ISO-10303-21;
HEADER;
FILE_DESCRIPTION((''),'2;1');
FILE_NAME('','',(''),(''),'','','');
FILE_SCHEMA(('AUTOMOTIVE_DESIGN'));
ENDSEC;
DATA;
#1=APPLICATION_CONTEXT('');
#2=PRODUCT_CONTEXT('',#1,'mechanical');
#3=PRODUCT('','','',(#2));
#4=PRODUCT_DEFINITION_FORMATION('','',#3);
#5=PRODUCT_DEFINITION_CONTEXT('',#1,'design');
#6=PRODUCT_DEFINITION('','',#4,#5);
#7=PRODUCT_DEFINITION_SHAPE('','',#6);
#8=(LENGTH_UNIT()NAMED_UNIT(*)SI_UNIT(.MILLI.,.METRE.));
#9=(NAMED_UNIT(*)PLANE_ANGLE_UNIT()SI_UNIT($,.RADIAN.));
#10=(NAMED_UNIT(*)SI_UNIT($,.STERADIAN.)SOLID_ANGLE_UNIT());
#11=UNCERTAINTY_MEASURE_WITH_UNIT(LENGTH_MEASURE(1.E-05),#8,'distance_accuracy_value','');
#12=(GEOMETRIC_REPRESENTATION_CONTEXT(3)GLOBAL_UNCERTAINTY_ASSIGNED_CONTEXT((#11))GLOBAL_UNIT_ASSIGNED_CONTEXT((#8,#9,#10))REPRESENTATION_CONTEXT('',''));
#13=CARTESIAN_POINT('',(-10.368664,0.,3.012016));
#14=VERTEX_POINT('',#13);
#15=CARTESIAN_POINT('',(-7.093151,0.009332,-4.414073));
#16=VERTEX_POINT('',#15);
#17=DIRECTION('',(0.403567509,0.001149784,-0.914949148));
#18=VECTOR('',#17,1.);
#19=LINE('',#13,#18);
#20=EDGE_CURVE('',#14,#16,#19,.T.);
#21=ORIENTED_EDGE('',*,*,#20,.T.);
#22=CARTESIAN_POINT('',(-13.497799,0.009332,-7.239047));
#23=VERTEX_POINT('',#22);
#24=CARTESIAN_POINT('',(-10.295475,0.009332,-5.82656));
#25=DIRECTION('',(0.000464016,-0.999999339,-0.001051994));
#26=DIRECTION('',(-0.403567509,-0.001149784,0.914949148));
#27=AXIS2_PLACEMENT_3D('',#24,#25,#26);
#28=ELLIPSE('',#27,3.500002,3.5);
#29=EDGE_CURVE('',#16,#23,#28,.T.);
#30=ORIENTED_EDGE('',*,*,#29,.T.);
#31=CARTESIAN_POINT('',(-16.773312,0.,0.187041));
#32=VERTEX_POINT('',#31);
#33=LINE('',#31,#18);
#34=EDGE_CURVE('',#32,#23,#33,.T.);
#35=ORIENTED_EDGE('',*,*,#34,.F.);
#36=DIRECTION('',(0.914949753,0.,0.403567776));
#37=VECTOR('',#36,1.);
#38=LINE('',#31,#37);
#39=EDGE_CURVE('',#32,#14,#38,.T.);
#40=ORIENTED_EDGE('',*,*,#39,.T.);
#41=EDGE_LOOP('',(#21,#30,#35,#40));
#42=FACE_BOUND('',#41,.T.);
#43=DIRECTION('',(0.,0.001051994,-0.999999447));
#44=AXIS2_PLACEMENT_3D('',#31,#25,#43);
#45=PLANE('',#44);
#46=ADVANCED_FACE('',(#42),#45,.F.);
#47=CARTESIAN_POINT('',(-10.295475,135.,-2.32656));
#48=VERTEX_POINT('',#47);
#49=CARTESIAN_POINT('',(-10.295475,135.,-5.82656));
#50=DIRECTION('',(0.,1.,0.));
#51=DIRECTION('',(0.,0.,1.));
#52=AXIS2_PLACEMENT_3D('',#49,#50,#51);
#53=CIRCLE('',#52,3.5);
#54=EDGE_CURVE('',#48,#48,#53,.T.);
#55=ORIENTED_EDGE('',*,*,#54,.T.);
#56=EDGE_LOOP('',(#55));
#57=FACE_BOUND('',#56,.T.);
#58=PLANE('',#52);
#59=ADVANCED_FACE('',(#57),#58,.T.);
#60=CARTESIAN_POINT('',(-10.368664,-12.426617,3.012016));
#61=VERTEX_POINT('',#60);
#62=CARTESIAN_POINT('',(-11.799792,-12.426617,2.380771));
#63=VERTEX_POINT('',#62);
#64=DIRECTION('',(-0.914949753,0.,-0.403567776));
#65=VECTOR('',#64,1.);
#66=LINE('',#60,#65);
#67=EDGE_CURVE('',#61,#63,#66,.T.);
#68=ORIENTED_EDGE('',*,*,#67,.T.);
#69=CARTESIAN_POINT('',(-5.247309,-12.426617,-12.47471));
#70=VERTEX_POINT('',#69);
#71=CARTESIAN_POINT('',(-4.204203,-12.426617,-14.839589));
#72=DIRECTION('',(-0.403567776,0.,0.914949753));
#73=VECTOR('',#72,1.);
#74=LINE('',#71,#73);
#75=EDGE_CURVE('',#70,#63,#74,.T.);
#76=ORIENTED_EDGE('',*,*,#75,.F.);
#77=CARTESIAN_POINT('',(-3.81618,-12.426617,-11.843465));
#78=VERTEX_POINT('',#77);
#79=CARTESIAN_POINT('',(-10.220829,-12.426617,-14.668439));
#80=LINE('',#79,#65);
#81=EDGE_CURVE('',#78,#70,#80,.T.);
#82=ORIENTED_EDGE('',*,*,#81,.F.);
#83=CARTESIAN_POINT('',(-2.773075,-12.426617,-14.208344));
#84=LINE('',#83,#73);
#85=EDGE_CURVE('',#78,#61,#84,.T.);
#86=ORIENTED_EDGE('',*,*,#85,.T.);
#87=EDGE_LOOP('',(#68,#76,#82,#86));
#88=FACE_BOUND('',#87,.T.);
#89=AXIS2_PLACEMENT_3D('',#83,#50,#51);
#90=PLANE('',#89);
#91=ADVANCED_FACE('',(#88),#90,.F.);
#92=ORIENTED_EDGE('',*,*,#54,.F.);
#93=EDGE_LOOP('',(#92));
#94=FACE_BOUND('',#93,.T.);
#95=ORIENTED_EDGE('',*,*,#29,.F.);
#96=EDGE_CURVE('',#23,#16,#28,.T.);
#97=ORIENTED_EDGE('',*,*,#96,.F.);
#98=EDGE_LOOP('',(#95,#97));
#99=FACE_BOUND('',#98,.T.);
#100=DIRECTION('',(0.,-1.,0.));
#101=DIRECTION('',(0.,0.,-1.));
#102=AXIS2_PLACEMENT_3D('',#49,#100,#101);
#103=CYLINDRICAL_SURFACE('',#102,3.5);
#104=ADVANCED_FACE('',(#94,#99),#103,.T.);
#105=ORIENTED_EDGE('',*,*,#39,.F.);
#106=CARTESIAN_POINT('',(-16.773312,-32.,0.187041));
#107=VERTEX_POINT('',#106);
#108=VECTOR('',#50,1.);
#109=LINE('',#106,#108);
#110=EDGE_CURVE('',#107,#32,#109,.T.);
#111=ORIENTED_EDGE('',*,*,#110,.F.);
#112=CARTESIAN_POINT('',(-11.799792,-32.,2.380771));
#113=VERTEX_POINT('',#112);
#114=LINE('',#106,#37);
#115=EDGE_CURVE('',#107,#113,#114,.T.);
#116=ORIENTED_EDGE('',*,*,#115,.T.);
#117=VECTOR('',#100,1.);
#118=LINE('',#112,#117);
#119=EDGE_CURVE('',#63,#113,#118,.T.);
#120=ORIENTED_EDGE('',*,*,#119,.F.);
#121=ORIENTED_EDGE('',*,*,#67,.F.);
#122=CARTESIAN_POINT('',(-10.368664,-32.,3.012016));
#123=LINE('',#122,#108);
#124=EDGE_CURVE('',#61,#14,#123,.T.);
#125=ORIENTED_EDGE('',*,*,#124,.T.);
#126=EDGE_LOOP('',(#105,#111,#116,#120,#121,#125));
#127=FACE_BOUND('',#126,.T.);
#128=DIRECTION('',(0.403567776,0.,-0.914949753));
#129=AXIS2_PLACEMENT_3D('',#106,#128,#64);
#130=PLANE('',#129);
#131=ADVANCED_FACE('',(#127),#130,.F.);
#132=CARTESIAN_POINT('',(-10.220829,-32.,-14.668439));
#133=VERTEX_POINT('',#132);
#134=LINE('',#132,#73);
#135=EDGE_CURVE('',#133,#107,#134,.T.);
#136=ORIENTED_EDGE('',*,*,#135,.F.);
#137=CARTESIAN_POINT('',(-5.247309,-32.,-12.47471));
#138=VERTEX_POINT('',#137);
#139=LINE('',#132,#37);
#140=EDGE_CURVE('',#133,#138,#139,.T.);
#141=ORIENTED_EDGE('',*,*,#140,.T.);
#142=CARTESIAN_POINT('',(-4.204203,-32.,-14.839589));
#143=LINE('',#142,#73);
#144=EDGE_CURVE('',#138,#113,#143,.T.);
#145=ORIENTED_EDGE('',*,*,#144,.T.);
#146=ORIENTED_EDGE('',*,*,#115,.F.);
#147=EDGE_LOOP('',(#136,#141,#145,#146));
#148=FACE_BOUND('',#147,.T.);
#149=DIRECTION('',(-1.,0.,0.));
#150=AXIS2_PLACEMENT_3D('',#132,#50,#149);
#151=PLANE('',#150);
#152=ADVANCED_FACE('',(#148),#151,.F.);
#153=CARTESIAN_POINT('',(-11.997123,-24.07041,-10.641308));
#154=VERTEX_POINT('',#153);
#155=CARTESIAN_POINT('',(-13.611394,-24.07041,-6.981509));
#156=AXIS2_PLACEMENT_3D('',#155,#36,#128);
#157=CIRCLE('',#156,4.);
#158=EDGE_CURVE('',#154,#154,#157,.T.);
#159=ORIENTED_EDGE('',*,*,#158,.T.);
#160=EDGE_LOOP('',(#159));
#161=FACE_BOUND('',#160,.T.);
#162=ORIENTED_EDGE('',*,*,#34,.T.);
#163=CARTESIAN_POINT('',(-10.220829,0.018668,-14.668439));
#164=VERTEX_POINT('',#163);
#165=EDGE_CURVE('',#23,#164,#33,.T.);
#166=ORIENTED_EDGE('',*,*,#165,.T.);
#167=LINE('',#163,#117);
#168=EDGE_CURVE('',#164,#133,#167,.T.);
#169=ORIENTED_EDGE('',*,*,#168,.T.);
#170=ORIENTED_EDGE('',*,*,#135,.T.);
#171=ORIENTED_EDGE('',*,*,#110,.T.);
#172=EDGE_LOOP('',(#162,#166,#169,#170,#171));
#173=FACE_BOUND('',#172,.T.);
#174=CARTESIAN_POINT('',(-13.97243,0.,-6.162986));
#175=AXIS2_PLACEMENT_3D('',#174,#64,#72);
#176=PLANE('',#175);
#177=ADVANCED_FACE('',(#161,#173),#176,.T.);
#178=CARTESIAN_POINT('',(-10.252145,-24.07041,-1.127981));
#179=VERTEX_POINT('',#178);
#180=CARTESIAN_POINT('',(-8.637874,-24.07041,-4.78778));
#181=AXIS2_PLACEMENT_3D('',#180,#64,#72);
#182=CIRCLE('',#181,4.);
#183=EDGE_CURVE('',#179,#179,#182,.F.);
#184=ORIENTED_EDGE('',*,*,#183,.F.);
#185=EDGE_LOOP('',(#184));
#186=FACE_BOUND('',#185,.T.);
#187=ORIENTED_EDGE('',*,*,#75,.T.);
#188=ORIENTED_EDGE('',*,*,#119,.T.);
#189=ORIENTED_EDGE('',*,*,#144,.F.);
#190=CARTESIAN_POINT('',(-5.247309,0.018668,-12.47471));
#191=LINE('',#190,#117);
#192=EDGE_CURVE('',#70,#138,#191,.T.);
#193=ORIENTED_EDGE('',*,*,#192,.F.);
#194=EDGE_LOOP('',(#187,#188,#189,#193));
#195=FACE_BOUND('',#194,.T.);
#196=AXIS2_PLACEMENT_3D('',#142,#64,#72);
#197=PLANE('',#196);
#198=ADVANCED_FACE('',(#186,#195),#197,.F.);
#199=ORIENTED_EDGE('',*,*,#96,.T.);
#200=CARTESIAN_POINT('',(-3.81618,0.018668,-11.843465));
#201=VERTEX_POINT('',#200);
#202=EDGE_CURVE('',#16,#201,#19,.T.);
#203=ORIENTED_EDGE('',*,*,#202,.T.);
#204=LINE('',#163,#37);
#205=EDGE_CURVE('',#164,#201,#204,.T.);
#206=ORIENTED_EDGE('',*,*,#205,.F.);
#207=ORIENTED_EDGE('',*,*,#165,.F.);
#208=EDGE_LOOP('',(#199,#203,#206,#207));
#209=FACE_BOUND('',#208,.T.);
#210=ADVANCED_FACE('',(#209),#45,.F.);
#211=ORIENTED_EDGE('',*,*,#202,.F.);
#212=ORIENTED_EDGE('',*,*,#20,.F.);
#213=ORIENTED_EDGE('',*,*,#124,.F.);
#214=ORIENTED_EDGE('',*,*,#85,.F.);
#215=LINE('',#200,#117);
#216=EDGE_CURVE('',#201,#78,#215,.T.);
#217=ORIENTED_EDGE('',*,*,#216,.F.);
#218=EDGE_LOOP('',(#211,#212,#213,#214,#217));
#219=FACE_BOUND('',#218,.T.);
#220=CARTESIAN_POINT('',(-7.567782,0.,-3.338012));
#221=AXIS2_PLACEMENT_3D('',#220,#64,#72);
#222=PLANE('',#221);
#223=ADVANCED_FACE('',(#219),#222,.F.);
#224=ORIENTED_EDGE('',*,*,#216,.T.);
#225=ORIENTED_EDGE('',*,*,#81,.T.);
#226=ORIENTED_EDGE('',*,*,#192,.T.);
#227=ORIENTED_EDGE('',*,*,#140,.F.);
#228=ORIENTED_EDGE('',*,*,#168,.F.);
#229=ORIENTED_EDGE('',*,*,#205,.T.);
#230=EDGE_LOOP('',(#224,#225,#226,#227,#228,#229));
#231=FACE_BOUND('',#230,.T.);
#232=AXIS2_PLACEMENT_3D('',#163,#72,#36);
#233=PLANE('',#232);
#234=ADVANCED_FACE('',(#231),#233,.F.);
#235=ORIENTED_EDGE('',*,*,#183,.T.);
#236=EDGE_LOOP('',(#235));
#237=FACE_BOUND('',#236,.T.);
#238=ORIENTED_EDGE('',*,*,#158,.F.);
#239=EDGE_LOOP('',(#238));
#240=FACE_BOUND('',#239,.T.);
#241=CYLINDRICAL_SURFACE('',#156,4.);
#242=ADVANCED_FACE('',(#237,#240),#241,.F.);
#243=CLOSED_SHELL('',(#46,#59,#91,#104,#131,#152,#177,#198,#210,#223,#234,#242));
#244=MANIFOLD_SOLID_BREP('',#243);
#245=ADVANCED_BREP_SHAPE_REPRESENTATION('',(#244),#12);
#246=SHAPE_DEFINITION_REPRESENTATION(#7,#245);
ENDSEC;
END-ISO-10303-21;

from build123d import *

# Parameters (mm, degrees)
SKETCH2_R           = 3.5
BOSS_EXTRUDE1_DEPTH = 135
BOSS_EXTRUDE2_DEPTH = 7
SKETCH4_R           = 4
CUT_EXTRUDE1_DEPTH  = 7
SKETCH5_W           = 1.564160686
SKETCH5_H           = 19.573383476
CUT_EXTRUDE2_DEPTH  = 19.821098843


with BuildPart() as part:
    # Sketch2 → Boss-Extrude1 (new body)
    with BuildSketch(Plane(origin=(0, 0, 0), x_dir=(1, 0, 0), z_dir=(0, 1, 0))):
        with Locations((-10.295474734, 5.826559877)):
            Circle(SKETCH2_R)
    extrude(amount=BOSS_EXTRUDE1_DEPTH)

    # Sketch3 → Boss-Extrude2 (add)
    with BuildSketch(Plane(origin=(-7.567781688, 0, -3.338011531), x_dir=(-0.403567776, 0, 0.914949753), z_dir=(-0.914949753, 0, -0.403567776))):
        Polygon((-9.296087677, 0.018668346), (-9.296087677, -32), (6.940301507, -32), (6.940301507, 0), align=None)
    extrude(amount=BOSS_EXTRUDE2_DEPTH)

    # Sketch4 → Cut-Extrude1 (cut)
    with BuildSketch(Plane(origin=(-7.567781688, 0, -3.338011531), x_dir=(0.403567776, 0, -0.914949753), z_dir=(0.914949753, 0, 0.403567776))):
        with Locations((0.894610349, -24.070410288)):
            Circle(SKETCH4_R)
    extrude(amount=-CUT_EXTRUDE1_DEPTH, mode=Mode.SUBTRACT)

    # Sketch5 → Cut-Extrude2 (cut, through all)
    with BuildSketch(Plane(origin=(-2.800882044, 0, 6.350027148), x_dir=(0.914949753, 0, 0.403567776), z_dir=(-0.403567776, 0, 0.914949753))):
        with Locations((-9.053334217, -22.213308262)):
            Rectangle(SKETCH5_W, SKETCH5_H)
    extrude(amount=-CUT_EXTRUDE2_DEPTH, mode=Mode.SUBTRACT)


solid = part.part
